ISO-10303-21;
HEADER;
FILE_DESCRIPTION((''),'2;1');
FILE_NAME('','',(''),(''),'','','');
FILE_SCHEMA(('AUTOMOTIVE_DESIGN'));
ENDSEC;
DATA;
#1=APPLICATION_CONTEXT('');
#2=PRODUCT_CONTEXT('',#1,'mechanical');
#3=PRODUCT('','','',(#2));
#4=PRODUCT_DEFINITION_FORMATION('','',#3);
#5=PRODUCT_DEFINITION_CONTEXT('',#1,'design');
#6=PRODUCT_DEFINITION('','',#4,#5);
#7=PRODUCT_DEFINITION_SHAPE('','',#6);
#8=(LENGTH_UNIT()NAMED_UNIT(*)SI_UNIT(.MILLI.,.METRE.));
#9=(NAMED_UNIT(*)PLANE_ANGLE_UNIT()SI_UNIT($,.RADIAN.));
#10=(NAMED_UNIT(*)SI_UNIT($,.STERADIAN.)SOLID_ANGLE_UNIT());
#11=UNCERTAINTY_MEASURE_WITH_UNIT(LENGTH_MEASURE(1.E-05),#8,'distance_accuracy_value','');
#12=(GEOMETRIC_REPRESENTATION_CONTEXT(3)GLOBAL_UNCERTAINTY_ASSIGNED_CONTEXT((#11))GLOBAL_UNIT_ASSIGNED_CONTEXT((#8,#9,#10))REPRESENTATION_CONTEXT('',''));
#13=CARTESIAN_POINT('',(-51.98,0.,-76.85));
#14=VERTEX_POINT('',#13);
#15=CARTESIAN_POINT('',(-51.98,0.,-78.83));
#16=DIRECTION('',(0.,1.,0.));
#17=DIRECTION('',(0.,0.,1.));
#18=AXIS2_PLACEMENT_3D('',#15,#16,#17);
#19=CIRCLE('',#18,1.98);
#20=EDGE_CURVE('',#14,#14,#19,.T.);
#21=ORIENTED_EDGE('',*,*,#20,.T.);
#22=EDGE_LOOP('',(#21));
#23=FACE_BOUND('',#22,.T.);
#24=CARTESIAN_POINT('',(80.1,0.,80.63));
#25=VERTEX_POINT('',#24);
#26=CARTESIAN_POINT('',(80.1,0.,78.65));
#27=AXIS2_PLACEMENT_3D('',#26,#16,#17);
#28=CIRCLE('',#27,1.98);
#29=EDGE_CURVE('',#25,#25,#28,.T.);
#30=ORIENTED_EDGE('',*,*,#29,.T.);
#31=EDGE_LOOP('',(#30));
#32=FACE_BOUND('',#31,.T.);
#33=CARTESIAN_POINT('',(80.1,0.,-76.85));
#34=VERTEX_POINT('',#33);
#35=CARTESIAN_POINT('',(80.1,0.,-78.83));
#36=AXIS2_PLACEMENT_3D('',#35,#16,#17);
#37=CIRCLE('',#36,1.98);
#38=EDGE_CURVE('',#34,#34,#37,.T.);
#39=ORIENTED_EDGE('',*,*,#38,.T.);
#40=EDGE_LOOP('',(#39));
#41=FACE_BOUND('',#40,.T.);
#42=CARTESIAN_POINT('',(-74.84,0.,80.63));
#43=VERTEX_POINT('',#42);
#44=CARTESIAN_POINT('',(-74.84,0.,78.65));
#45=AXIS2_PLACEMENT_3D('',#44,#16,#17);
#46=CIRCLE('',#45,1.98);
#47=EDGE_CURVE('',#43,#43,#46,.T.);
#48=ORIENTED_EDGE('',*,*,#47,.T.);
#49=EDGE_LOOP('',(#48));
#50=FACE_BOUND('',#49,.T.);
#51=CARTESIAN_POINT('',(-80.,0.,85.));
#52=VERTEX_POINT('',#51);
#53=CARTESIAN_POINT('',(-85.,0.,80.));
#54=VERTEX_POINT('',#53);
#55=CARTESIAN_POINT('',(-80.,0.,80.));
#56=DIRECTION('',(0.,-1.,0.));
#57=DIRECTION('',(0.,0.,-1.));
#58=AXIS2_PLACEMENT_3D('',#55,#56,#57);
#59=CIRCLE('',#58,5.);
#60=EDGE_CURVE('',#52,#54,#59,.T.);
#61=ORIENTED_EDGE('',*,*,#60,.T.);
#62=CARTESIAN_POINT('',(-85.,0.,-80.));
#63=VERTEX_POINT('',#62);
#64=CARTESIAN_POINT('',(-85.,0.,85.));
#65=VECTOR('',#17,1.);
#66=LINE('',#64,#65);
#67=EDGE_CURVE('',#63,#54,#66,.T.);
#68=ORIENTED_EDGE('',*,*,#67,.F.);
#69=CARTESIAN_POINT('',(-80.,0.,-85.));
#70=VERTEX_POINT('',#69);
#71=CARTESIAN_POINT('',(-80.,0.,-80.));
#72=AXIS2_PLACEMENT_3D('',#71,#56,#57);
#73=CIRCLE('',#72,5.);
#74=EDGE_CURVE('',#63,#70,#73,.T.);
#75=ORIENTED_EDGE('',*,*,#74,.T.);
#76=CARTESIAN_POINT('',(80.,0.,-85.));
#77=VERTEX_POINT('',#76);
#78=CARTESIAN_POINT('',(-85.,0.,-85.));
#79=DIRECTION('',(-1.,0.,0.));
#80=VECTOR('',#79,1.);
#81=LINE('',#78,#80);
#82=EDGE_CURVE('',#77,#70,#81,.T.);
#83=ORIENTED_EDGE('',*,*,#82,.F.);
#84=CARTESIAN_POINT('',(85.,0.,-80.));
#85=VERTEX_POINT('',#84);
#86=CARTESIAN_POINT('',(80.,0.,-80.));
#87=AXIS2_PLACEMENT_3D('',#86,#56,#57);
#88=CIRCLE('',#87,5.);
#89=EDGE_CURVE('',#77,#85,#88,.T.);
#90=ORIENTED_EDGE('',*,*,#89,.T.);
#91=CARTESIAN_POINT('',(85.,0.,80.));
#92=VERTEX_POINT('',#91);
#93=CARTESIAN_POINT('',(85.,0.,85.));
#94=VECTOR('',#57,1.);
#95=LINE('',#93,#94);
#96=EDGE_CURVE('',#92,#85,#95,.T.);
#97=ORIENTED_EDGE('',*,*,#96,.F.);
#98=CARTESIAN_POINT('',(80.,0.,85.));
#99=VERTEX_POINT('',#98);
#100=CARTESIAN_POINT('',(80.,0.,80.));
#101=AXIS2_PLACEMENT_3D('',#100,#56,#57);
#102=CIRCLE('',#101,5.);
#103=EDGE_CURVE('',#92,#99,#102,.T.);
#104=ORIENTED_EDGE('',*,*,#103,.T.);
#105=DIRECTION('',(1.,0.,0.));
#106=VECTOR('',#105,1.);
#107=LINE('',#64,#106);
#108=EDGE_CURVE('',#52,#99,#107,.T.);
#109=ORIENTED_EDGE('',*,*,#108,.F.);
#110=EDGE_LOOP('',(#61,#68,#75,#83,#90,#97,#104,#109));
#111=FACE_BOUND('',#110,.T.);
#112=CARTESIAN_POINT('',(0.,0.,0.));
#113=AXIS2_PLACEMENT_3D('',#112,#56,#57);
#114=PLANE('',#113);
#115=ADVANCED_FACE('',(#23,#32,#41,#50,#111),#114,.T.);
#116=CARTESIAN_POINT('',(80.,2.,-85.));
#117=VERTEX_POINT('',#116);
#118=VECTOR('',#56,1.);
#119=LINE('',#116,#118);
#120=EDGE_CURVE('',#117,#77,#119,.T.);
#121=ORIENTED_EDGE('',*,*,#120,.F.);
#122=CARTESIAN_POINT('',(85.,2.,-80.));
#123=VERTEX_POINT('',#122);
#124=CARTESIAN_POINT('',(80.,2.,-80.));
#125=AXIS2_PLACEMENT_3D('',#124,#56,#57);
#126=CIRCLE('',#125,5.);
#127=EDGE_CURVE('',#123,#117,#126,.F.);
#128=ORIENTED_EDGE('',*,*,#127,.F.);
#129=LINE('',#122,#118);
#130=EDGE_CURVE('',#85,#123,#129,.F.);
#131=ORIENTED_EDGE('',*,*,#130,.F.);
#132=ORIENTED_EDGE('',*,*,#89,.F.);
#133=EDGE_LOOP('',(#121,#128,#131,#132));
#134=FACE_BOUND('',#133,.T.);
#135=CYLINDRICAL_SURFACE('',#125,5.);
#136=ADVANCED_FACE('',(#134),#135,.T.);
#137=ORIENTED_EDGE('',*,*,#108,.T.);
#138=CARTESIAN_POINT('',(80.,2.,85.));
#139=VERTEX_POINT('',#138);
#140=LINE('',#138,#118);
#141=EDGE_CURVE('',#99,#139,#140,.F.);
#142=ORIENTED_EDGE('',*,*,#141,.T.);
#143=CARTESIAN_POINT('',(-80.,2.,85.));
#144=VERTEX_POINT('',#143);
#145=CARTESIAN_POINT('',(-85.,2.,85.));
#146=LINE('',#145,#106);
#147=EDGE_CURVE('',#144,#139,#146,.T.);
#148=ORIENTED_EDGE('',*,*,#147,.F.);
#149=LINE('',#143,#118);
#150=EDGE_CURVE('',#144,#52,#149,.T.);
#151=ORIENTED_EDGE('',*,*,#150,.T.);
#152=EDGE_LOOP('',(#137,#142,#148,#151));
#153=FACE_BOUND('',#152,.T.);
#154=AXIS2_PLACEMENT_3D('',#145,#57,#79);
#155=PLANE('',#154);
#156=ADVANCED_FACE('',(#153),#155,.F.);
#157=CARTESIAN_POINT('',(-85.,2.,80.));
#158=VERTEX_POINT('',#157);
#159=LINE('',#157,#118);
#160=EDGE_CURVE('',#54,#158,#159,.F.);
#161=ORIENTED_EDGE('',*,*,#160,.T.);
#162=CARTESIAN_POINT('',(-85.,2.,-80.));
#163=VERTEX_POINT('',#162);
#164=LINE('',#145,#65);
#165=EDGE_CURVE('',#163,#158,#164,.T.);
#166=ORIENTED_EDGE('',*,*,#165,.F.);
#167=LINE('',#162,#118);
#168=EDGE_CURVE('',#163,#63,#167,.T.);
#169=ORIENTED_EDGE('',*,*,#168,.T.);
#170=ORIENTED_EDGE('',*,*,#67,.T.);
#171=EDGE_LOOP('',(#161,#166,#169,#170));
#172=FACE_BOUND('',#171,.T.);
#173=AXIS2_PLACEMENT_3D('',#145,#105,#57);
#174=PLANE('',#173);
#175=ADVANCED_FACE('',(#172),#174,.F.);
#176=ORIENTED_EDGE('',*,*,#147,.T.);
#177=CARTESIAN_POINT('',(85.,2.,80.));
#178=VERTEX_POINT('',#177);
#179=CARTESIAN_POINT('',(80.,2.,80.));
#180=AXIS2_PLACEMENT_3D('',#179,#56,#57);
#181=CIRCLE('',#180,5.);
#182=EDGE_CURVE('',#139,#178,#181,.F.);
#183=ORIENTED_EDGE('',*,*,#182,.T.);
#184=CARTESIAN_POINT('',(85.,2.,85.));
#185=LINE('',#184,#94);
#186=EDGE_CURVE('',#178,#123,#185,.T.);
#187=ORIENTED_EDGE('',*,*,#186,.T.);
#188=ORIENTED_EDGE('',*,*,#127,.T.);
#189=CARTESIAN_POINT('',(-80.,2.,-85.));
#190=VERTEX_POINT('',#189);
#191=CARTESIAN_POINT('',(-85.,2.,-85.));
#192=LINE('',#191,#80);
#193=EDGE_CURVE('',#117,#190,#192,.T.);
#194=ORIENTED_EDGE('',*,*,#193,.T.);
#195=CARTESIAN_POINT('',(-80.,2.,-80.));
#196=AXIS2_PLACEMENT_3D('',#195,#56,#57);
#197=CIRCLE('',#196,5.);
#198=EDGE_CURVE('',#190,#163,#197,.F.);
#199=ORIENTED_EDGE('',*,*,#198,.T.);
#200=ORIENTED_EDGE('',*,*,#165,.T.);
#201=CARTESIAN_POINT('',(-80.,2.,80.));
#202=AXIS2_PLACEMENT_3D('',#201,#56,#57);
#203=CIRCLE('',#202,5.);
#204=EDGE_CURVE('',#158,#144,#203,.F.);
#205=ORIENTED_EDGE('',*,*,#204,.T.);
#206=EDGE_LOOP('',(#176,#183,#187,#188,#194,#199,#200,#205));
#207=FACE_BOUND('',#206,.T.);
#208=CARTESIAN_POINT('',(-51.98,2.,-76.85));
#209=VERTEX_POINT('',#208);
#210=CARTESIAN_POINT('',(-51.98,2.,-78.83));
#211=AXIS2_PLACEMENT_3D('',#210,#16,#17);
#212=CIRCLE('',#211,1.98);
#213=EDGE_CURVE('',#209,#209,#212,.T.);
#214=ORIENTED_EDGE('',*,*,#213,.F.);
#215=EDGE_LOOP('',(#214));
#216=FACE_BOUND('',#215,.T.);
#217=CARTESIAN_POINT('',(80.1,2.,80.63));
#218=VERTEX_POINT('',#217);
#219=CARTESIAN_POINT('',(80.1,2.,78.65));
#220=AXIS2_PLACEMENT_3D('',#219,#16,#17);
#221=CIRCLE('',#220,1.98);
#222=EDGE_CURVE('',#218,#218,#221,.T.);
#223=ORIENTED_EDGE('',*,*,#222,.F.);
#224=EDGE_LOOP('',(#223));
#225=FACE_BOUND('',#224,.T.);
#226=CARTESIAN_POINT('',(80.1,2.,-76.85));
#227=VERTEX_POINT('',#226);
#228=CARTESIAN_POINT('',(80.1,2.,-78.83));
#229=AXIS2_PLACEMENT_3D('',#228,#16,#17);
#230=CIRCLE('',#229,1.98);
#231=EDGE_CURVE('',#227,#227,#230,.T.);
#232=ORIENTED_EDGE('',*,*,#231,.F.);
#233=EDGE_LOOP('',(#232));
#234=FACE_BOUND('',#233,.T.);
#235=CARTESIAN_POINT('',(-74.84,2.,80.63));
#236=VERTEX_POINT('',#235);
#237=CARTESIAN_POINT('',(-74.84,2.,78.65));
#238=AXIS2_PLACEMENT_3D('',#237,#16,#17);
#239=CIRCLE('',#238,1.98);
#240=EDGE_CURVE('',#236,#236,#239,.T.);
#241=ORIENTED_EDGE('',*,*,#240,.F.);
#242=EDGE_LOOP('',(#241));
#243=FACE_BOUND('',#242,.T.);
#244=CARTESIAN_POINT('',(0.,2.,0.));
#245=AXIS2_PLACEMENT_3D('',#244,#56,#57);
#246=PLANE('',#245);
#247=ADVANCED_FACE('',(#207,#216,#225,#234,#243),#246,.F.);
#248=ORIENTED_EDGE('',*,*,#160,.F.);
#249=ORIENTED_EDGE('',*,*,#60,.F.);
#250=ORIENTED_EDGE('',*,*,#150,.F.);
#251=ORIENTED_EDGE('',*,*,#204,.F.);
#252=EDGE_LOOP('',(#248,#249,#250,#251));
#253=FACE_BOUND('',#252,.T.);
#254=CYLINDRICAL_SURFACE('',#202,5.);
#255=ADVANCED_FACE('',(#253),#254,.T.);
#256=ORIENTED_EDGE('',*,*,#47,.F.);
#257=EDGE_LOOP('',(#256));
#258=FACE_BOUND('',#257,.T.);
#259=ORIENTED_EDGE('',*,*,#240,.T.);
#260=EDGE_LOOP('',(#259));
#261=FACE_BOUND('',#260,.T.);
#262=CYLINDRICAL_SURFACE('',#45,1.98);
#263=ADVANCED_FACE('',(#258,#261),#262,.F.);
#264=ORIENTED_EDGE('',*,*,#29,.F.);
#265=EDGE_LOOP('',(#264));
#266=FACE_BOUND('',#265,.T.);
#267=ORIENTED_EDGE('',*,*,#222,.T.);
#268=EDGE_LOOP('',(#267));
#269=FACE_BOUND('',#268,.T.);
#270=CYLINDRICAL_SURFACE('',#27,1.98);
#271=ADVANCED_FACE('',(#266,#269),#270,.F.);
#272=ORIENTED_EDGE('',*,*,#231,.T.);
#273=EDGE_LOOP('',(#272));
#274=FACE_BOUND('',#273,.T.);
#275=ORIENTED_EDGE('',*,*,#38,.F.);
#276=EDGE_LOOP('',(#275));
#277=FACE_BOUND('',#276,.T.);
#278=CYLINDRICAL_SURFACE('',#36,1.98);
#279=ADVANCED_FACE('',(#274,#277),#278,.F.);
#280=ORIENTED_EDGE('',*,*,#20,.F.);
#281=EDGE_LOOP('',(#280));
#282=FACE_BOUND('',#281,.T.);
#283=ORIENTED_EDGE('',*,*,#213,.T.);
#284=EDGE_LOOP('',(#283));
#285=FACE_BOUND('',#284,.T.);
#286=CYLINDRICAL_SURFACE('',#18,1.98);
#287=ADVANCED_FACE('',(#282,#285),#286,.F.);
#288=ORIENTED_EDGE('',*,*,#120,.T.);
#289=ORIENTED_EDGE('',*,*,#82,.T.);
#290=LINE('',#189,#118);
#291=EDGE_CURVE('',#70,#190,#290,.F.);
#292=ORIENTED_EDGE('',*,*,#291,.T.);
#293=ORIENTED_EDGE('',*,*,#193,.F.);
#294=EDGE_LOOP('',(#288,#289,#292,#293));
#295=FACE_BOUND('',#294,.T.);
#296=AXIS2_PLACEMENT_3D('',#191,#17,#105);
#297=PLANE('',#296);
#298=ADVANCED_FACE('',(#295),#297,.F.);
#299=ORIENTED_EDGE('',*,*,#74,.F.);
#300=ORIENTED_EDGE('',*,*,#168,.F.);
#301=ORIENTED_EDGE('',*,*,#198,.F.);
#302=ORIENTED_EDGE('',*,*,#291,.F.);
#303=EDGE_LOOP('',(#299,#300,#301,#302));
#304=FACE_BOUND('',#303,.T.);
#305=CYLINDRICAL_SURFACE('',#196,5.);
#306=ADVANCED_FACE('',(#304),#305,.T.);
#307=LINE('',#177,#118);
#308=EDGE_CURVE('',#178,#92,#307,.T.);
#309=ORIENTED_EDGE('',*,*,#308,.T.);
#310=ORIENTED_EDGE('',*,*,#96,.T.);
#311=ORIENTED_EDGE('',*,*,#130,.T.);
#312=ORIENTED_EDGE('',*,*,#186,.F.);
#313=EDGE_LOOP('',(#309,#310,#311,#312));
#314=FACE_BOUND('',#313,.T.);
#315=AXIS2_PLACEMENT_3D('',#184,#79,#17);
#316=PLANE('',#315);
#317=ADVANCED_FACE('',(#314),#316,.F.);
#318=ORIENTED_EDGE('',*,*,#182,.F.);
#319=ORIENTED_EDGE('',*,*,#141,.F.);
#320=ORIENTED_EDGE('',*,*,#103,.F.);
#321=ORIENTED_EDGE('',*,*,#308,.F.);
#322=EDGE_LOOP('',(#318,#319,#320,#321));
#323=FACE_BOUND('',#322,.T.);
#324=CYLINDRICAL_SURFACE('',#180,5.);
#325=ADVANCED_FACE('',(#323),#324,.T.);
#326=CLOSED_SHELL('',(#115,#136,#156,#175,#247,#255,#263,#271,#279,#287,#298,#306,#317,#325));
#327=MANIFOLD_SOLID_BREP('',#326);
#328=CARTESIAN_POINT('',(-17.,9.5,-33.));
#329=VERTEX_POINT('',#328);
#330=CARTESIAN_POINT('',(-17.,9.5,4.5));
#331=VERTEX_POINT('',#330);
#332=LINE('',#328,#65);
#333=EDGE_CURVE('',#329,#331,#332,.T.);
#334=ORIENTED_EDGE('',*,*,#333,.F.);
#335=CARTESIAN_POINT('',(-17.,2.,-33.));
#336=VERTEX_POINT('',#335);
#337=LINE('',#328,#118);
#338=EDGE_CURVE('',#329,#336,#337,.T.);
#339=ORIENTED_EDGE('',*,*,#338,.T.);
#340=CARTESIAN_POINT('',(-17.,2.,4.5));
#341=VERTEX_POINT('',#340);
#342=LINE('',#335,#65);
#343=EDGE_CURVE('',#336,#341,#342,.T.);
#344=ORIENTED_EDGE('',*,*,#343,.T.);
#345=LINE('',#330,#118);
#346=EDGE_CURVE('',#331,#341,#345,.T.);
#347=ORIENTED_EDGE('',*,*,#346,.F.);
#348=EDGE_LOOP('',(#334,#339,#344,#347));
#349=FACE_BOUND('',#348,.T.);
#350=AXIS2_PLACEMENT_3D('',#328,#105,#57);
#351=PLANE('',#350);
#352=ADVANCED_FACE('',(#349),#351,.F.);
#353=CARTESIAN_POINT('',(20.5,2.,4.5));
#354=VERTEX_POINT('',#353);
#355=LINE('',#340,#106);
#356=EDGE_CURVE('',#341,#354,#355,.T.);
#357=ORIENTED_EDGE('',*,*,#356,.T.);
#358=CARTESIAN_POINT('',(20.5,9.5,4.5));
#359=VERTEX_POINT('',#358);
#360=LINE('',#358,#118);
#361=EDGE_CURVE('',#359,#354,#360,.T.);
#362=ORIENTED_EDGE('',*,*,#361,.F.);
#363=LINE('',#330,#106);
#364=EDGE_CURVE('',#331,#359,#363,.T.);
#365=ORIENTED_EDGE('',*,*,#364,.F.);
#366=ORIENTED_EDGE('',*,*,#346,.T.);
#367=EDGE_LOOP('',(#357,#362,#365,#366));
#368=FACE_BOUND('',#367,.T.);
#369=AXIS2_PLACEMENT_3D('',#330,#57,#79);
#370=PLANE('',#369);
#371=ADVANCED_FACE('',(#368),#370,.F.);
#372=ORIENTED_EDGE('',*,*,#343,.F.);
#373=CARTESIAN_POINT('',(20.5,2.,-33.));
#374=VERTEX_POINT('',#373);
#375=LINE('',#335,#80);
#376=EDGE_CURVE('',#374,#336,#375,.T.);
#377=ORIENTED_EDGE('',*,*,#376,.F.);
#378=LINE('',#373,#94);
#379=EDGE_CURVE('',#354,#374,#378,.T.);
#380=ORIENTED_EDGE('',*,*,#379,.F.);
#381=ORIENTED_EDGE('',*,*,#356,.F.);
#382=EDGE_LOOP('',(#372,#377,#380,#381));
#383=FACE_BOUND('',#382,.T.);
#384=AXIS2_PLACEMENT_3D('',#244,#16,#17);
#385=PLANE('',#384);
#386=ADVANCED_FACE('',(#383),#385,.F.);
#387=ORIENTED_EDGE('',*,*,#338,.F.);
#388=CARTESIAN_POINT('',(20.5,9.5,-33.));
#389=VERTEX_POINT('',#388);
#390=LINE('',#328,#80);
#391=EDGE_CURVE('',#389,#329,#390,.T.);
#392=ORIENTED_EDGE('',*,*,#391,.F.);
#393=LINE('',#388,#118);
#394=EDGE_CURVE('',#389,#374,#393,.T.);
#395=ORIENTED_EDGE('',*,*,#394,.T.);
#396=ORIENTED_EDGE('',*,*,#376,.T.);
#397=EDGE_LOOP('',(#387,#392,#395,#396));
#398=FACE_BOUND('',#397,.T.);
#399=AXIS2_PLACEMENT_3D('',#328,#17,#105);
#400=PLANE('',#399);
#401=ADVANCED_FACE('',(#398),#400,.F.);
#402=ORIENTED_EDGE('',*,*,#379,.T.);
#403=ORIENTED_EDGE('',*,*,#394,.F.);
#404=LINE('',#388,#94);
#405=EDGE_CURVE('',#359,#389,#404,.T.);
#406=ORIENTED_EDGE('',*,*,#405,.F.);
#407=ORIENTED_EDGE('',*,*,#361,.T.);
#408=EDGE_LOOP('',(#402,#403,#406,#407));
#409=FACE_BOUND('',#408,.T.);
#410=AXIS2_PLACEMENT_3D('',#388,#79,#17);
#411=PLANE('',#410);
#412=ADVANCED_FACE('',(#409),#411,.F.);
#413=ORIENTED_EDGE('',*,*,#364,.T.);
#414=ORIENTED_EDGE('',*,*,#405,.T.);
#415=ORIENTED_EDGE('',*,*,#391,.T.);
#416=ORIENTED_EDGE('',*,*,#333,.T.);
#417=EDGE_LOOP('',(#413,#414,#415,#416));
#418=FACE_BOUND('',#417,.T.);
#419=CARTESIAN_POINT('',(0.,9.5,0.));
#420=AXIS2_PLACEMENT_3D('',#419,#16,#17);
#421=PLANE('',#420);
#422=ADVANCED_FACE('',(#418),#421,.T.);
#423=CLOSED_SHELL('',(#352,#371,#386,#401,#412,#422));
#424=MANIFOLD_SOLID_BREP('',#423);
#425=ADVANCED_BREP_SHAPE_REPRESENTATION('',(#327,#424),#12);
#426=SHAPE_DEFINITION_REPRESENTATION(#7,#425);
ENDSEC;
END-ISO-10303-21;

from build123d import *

# Parameters (mm, degrees)
SKETCH_1_W          = 170
SKETCH_1_H          = 170
EXTRUDE_1_DEPTH     = 2
SKETCH_2_R          = 1.98
CUT_EXTRUDE_1_DEPTH = 3
FILLET_1_R          = 5
SKETCH_4_W          = 37.5
SKETCH_4_H          = 37.5
EXTRUDE_2_DEPTH     = 7.5


with BuildPart() as part:
    # 스케치1 → 보스-돌출1 (new body)
    with BuildSketch(Plane(origin=(0, 0, 0), x_dir=(1, 0, 0), z_dir=(0, 1, 0))):
        Rectangle(SKETCH_1_W, SKETCH_1_H)
    extrude(amount=EXTRUDE_1_DEPTH)

    # 스케치2 → 컷-돌출1 (cut, through all)
    with BuildSketch(Plane(origin=(0, 2, 0), x_dir=(1, 0, 0), z_dir=(0, 1, 0))):
        with Locations((-74.84, -78.65)):
            Circle(SKETCH_2_R)
        with Locations((-51.98, 78.83)):
            Circle(SKETCH_2_R)
        with Locations((80.1, 78.83)):
            Circle(SKETCH_2_R)
        with Locations((80.1, -78.65)):
            Circle(SKETCH_2_R)
    extrude(amount=-CUT_EXTRUDE_1_DEPTH, mode=Mode.SUBTRACT)

    # 필렛1
    fillet_1_edges = [part.edges().sort_by_distance(p)[0] for p in [
        (85, 1, 85),
        (-85, 1, 85),
        (-85, 1, -85),
        (85, 1, -85),
    ]]
    fillet(fillet_1_edges, radius=FILLET_1_R)


with BuildPart() as body_2:
    # 스케치4 → 보스-돌출2 (new body)
    with BuildSketch(Plane(origin=(0, 2, 0), x_dir=(1, 0, 0), z_dir=(0, 1, 0))):
        with Locations((1.75, 14.25)):
            Rectangle(SKETCH_4_W, SKETCH_4_H)
    extrude(amount=EXTRUDE_2_DEPTH)


solid = Compound([part.part, body_2.part])
